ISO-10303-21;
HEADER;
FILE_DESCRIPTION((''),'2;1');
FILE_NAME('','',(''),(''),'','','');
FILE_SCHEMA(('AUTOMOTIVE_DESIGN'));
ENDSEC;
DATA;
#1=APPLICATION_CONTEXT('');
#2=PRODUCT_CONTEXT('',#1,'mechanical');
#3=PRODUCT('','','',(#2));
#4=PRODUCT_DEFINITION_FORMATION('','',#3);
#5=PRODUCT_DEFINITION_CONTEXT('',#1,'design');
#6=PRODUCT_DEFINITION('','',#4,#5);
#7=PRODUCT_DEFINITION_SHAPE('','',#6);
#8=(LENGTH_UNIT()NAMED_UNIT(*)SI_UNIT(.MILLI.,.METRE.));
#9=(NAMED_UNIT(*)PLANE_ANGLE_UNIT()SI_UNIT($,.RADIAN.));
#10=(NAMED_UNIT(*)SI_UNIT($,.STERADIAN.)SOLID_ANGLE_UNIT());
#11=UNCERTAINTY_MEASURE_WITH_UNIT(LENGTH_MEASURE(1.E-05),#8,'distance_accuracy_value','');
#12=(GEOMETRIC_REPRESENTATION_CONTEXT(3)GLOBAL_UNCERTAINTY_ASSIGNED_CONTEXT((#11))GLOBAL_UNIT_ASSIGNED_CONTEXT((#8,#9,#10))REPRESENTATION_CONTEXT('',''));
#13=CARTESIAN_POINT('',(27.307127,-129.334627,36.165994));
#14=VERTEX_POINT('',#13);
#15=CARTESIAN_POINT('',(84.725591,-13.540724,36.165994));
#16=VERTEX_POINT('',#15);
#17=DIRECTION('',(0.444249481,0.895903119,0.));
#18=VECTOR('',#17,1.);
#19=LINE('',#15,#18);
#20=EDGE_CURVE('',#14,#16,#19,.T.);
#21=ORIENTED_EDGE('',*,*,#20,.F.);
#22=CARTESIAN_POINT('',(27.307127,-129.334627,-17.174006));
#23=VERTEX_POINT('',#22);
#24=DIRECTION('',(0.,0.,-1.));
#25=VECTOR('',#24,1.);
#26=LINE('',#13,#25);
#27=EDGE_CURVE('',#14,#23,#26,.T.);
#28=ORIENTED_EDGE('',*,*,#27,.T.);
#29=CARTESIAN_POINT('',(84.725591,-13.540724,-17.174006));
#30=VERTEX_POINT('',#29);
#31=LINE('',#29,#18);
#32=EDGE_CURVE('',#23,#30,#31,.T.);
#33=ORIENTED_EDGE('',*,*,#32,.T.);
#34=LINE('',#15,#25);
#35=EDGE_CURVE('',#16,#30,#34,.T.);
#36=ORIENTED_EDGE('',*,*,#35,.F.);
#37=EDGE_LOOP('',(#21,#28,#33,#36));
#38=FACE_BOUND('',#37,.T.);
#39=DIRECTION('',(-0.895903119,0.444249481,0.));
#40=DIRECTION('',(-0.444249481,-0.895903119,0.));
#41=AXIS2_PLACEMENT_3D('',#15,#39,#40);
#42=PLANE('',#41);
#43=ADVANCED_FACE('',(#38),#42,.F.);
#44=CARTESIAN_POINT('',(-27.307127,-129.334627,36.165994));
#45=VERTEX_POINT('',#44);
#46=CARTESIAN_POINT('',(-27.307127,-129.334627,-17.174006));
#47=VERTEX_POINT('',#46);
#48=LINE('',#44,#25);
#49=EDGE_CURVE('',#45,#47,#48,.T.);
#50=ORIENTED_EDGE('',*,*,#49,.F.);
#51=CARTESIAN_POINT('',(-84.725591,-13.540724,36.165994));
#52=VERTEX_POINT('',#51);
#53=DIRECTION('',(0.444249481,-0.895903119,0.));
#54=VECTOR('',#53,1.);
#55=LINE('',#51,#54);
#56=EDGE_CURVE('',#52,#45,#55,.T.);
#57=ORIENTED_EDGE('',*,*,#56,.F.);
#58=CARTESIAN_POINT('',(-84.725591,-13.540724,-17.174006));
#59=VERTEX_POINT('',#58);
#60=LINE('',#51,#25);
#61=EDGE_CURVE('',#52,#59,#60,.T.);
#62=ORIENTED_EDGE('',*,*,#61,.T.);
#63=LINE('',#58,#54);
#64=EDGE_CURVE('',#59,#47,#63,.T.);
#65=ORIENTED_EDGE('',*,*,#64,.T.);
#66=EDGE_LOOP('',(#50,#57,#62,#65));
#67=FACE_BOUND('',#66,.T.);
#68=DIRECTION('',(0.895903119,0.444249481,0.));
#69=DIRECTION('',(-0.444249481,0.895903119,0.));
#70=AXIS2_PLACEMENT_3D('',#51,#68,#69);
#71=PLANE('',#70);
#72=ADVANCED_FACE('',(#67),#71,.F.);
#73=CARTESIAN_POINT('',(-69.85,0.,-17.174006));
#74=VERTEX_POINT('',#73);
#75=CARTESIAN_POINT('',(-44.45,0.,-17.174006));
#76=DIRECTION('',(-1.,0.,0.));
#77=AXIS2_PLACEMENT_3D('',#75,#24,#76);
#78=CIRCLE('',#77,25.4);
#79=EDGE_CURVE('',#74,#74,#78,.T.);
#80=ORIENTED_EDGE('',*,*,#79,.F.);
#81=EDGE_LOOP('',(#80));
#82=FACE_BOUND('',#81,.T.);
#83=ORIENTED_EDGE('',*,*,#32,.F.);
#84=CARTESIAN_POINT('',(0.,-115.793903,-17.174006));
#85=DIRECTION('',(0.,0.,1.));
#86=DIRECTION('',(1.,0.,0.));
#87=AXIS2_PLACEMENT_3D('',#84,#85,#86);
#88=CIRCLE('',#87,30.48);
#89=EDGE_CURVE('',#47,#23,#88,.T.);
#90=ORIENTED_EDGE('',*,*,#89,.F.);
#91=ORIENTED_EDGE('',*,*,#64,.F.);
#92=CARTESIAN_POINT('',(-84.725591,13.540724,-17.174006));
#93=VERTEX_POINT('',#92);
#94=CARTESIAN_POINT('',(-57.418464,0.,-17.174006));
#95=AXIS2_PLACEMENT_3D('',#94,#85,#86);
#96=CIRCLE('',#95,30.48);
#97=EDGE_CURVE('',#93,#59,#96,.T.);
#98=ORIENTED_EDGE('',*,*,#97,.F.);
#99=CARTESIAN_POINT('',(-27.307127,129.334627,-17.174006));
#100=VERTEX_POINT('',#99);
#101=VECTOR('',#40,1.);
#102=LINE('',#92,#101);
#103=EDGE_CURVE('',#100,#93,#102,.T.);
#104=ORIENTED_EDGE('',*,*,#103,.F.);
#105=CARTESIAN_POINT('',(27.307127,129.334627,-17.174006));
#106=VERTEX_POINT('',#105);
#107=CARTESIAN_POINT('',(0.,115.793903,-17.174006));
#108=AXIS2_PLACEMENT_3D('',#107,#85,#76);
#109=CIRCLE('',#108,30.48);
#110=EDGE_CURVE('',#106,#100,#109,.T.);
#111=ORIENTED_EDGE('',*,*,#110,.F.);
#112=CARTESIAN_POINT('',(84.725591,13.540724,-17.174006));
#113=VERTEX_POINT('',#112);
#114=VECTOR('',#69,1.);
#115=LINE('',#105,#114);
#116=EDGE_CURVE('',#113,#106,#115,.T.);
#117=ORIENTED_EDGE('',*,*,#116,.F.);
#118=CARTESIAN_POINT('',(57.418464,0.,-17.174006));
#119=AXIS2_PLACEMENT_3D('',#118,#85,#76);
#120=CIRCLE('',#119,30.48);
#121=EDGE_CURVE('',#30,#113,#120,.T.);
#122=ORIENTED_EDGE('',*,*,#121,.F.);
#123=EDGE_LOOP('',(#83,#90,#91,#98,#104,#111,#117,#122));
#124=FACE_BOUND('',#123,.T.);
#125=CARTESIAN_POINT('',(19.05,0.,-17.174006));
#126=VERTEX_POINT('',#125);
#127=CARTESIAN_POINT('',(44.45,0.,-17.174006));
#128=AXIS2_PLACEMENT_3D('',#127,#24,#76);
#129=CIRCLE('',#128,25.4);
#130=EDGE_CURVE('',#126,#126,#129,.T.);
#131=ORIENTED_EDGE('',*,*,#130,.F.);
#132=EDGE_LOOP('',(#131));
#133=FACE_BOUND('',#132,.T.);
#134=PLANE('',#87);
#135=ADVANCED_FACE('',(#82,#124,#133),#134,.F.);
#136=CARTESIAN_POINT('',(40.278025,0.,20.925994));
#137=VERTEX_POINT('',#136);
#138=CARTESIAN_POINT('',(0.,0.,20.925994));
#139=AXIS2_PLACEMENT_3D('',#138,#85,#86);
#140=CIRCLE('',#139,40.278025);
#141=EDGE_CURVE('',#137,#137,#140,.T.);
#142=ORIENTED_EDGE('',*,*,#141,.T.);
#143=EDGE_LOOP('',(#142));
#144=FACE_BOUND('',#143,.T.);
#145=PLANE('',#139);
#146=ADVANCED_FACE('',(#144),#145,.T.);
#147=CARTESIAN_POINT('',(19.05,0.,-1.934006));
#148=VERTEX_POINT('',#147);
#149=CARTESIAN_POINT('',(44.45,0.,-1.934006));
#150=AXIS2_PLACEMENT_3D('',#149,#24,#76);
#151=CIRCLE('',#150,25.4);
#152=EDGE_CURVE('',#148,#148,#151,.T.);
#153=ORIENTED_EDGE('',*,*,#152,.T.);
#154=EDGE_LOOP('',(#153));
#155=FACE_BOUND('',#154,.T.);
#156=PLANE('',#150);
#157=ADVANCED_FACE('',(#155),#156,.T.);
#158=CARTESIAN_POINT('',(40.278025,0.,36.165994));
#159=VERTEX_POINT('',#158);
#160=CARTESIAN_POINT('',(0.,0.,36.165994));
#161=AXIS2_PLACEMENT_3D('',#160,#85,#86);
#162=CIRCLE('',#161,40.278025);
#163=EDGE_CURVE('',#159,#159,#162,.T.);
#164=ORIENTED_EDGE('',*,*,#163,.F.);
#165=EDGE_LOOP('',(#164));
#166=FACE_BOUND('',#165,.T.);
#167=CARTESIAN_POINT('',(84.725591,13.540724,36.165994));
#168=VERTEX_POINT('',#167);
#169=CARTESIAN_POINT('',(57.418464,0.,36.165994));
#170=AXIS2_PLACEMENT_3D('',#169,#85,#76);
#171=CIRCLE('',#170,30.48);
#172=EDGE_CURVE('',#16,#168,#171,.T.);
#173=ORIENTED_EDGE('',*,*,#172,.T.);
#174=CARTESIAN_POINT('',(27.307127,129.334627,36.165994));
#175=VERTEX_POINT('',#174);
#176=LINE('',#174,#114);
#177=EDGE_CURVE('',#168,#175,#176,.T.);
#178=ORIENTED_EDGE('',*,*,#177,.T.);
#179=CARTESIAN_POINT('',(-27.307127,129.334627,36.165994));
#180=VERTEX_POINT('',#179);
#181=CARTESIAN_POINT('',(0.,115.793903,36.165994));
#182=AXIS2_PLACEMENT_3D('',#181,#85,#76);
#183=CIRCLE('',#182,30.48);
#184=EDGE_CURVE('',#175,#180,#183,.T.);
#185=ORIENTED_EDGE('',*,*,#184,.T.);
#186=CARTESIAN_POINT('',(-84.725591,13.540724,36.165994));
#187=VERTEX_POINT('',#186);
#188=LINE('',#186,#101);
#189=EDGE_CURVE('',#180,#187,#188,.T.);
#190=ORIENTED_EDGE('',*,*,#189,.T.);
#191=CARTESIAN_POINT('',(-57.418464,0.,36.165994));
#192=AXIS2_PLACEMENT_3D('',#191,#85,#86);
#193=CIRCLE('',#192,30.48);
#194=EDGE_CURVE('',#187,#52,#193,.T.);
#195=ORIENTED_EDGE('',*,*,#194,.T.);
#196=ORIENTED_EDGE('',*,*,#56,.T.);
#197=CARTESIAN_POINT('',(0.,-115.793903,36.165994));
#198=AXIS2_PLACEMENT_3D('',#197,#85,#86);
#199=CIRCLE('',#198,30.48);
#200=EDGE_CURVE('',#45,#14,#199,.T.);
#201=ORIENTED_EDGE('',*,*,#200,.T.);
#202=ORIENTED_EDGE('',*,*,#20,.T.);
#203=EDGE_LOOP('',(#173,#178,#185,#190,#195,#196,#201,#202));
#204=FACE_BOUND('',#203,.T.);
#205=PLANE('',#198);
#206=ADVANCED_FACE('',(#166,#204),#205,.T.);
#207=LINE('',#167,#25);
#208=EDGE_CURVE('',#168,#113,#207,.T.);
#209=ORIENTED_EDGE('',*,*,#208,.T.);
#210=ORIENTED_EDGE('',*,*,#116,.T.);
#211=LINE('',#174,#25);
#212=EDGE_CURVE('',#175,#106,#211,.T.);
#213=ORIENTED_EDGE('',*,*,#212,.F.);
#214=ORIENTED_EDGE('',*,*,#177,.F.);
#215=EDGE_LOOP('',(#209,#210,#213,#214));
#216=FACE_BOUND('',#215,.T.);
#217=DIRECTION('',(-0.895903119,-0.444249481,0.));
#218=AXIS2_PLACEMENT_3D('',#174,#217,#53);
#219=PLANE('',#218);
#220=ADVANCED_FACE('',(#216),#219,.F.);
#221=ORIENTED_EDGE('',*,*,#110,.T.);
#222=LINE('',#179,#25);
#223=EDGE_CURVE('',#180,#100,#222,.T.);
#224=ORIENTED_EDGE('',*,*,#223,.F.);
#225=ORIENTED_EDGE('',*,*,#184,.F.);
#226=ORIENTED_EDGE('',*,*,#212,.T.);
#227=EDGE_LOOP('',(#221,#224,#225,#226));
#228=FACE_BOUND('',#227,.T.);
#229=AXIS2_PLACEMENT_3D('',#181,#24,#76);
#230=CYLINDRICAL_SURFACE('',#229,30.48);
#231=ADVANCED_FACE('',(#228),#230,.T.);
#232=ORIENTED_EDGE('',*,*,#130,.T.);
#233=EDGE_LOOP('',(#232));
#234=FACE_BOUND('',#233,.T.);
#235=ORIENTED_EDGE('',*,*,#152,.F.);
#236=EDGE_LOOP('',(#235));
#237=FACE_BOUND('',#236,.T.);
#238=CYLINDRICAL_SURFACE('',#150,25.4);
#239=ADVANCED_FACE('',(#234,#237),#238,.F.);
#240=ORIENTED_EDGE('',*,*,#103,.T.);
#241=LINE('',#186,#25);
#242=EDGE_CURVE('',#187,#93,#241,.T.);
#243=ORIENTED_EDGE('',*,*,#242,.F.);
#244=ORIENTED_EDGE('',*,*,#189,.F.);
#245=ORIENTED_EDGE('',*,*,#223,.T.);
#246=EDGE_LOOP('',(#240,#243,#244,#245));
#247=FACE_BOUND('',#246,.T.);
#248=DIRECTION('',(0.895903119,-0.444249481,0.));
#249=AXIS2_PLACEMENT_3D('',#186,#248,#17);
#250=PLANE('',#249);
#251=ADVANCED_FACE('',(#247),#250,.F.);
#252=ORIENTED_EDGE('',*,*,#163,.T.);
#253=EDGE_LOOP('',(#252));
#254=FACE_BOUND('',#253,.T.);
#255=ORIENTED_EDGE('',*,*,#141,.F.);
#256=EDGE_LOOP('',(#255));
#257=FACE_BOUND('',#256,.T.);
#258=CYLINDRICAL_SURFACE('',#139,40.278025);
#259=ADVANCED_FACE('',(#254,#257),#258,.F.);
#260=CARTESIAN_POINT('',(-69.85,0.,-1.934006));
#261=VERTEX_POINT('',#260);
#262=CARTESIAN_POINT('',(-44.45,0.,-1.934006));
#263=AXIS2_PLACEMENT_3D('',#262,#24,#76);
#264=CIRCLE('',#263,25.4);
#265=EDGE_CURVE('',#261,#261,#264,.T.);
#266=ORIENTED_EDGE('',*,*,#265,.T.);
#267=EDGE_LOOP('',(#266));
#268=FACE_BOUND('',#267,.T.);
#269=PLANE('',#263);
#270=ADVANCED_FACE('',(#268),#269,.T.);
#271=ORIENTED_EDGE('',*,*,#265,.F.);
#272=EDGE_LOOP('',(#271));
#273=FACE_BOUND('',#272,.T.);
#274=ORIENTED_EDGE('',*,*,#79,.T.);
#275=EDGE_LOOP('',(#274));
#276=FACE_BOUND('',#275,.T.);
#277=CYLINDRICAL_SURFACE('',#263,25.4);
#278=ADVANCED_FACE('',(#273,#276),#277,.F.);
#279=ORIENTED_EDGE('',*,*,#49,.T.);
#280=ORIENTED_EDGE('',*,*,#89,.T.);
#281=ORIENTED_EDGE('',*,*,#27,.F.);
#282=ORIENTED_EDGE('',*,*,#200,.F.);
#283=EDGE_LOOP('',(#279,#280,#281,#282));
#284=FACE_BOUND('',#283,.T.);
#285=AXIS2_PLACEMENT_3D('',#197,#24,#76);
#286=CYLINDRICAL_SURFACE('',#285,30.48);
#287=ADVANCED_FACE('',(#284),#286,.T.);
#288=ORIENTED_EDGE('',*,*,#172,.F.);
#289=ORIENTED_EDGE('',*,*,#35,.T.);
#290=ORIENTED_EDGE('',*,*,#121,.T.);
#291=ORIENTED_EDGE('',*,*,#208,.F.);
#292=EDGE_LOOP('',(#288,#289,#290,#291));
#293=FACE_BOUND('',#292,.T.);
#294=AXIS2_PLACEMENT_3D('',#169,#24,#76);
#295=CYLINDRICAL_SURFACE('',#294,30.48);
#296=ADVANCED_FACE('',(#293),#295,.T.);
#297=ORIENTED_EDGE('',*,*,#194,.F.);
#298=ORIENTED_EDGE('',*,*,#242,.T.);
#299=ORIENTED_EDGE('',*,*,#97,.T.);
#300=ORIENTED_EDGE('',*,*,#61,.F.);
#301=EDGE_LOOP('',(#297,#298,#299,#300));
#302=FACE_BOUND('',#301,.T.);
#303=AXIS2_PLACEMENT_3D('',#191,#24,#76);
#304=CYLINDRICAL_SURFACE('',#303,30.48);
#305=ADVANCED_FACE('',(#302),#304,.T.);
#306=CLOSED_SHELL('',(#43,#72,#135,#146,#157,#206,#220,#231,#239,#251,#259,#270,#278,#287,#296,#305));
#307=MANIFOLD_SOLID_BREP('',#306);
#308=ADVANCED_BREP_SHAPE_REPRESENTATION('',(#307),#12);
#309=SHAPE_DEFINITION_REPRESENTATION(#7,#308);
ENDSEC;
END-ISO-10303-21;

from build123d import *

# Parameters (mm, degrees)
BOSS_EXTRUDE1_DEPTH = 17.78
SKETCH2_R           = 13.426008181
CUT_EXTRUDE1_DEPTH  = 5.08
SCALE1_SCALE        = 1.5
SCALE2_SCALE        = 2
SKETCH3_R           = 25.4
CUT_EXTRUDE2_DEPTH  = 15.24


with BuildPart() as part:
    # Sketch1 → Boss-Extrude1 (new body)
    with BuildSketch(Plane.XY):
        with BuildLine():
            Line((-28.241863774, 4.513574723), (-9.102375691, 43.111542356))
            ThreePointArc((-9.102375691, 43.111542356), (0, 48.757967634), (9.102375691, 43.111542356))
            Line((9.102375691, 43.111542356), (28.241863774, 4.513574723))
            ThreePointArc((28.241863774, 4.513574723), (29.299488083, 0), (28.241863774, -4.513574723))
            Line((28.241863774, -4.513574723), (9.102375691, -43.111542356))
            ThreePointArc((9.102375691, -43.111542356), (0, -48.757967634), (-9.102375691, -43.111542356))
            Line((-9.102375691, -43.111542356), (-28.241863774, -4.513574723))
            ThreePointArc((-28.241863774, -4.513574723), (-29.299488083, 0), (-28.241863774, 4.513574723))
        make_face()
    extrude(amount=BOSS_EXTRUDE1_DEPTH)

    # Sketch2 → Cut-Extrude1 (cut)
    with BuildSketch(Plane.XY.offset(17.78)):
        Circle(SKETCH2_R)
    extrude(amount=-CUT_EXTRUDE1_DEPTH, mode=Mode.SUBTRACT)


with BuildPart() as part_1:
    # Scale1: scaled about (0, 0, 8.587002836)
    add(part.part.scale(SCALE1_SCALE).moved(Location((0, 0, -4.293501418))))


with BuildPart() as part_2:
    # Scale2: scaled about (0, 0, 8.587002836)
    add(part_1.part.scale(SCALE2_SCALE).moved(Location((0, 0, -8.587002836))))

    # Sketch3 → Cut-Extrude2 (cut)
    with BuildSketch(Plane(origin=(0, 0, -17.174005673), x_dir=(-1, 0, 0), z_dir=(0, 0, -1))):
        with Locations((-44.45, 0)):
            Circle(SKETCH3_R)
        with Locations((44.45, 0)):
            Circle(SKETCH3_R)
    extrude(amount=-CUT_EXTRUDE2_DEPTH, mode=Mode.SUBTRACT)


solid = part_2.part
